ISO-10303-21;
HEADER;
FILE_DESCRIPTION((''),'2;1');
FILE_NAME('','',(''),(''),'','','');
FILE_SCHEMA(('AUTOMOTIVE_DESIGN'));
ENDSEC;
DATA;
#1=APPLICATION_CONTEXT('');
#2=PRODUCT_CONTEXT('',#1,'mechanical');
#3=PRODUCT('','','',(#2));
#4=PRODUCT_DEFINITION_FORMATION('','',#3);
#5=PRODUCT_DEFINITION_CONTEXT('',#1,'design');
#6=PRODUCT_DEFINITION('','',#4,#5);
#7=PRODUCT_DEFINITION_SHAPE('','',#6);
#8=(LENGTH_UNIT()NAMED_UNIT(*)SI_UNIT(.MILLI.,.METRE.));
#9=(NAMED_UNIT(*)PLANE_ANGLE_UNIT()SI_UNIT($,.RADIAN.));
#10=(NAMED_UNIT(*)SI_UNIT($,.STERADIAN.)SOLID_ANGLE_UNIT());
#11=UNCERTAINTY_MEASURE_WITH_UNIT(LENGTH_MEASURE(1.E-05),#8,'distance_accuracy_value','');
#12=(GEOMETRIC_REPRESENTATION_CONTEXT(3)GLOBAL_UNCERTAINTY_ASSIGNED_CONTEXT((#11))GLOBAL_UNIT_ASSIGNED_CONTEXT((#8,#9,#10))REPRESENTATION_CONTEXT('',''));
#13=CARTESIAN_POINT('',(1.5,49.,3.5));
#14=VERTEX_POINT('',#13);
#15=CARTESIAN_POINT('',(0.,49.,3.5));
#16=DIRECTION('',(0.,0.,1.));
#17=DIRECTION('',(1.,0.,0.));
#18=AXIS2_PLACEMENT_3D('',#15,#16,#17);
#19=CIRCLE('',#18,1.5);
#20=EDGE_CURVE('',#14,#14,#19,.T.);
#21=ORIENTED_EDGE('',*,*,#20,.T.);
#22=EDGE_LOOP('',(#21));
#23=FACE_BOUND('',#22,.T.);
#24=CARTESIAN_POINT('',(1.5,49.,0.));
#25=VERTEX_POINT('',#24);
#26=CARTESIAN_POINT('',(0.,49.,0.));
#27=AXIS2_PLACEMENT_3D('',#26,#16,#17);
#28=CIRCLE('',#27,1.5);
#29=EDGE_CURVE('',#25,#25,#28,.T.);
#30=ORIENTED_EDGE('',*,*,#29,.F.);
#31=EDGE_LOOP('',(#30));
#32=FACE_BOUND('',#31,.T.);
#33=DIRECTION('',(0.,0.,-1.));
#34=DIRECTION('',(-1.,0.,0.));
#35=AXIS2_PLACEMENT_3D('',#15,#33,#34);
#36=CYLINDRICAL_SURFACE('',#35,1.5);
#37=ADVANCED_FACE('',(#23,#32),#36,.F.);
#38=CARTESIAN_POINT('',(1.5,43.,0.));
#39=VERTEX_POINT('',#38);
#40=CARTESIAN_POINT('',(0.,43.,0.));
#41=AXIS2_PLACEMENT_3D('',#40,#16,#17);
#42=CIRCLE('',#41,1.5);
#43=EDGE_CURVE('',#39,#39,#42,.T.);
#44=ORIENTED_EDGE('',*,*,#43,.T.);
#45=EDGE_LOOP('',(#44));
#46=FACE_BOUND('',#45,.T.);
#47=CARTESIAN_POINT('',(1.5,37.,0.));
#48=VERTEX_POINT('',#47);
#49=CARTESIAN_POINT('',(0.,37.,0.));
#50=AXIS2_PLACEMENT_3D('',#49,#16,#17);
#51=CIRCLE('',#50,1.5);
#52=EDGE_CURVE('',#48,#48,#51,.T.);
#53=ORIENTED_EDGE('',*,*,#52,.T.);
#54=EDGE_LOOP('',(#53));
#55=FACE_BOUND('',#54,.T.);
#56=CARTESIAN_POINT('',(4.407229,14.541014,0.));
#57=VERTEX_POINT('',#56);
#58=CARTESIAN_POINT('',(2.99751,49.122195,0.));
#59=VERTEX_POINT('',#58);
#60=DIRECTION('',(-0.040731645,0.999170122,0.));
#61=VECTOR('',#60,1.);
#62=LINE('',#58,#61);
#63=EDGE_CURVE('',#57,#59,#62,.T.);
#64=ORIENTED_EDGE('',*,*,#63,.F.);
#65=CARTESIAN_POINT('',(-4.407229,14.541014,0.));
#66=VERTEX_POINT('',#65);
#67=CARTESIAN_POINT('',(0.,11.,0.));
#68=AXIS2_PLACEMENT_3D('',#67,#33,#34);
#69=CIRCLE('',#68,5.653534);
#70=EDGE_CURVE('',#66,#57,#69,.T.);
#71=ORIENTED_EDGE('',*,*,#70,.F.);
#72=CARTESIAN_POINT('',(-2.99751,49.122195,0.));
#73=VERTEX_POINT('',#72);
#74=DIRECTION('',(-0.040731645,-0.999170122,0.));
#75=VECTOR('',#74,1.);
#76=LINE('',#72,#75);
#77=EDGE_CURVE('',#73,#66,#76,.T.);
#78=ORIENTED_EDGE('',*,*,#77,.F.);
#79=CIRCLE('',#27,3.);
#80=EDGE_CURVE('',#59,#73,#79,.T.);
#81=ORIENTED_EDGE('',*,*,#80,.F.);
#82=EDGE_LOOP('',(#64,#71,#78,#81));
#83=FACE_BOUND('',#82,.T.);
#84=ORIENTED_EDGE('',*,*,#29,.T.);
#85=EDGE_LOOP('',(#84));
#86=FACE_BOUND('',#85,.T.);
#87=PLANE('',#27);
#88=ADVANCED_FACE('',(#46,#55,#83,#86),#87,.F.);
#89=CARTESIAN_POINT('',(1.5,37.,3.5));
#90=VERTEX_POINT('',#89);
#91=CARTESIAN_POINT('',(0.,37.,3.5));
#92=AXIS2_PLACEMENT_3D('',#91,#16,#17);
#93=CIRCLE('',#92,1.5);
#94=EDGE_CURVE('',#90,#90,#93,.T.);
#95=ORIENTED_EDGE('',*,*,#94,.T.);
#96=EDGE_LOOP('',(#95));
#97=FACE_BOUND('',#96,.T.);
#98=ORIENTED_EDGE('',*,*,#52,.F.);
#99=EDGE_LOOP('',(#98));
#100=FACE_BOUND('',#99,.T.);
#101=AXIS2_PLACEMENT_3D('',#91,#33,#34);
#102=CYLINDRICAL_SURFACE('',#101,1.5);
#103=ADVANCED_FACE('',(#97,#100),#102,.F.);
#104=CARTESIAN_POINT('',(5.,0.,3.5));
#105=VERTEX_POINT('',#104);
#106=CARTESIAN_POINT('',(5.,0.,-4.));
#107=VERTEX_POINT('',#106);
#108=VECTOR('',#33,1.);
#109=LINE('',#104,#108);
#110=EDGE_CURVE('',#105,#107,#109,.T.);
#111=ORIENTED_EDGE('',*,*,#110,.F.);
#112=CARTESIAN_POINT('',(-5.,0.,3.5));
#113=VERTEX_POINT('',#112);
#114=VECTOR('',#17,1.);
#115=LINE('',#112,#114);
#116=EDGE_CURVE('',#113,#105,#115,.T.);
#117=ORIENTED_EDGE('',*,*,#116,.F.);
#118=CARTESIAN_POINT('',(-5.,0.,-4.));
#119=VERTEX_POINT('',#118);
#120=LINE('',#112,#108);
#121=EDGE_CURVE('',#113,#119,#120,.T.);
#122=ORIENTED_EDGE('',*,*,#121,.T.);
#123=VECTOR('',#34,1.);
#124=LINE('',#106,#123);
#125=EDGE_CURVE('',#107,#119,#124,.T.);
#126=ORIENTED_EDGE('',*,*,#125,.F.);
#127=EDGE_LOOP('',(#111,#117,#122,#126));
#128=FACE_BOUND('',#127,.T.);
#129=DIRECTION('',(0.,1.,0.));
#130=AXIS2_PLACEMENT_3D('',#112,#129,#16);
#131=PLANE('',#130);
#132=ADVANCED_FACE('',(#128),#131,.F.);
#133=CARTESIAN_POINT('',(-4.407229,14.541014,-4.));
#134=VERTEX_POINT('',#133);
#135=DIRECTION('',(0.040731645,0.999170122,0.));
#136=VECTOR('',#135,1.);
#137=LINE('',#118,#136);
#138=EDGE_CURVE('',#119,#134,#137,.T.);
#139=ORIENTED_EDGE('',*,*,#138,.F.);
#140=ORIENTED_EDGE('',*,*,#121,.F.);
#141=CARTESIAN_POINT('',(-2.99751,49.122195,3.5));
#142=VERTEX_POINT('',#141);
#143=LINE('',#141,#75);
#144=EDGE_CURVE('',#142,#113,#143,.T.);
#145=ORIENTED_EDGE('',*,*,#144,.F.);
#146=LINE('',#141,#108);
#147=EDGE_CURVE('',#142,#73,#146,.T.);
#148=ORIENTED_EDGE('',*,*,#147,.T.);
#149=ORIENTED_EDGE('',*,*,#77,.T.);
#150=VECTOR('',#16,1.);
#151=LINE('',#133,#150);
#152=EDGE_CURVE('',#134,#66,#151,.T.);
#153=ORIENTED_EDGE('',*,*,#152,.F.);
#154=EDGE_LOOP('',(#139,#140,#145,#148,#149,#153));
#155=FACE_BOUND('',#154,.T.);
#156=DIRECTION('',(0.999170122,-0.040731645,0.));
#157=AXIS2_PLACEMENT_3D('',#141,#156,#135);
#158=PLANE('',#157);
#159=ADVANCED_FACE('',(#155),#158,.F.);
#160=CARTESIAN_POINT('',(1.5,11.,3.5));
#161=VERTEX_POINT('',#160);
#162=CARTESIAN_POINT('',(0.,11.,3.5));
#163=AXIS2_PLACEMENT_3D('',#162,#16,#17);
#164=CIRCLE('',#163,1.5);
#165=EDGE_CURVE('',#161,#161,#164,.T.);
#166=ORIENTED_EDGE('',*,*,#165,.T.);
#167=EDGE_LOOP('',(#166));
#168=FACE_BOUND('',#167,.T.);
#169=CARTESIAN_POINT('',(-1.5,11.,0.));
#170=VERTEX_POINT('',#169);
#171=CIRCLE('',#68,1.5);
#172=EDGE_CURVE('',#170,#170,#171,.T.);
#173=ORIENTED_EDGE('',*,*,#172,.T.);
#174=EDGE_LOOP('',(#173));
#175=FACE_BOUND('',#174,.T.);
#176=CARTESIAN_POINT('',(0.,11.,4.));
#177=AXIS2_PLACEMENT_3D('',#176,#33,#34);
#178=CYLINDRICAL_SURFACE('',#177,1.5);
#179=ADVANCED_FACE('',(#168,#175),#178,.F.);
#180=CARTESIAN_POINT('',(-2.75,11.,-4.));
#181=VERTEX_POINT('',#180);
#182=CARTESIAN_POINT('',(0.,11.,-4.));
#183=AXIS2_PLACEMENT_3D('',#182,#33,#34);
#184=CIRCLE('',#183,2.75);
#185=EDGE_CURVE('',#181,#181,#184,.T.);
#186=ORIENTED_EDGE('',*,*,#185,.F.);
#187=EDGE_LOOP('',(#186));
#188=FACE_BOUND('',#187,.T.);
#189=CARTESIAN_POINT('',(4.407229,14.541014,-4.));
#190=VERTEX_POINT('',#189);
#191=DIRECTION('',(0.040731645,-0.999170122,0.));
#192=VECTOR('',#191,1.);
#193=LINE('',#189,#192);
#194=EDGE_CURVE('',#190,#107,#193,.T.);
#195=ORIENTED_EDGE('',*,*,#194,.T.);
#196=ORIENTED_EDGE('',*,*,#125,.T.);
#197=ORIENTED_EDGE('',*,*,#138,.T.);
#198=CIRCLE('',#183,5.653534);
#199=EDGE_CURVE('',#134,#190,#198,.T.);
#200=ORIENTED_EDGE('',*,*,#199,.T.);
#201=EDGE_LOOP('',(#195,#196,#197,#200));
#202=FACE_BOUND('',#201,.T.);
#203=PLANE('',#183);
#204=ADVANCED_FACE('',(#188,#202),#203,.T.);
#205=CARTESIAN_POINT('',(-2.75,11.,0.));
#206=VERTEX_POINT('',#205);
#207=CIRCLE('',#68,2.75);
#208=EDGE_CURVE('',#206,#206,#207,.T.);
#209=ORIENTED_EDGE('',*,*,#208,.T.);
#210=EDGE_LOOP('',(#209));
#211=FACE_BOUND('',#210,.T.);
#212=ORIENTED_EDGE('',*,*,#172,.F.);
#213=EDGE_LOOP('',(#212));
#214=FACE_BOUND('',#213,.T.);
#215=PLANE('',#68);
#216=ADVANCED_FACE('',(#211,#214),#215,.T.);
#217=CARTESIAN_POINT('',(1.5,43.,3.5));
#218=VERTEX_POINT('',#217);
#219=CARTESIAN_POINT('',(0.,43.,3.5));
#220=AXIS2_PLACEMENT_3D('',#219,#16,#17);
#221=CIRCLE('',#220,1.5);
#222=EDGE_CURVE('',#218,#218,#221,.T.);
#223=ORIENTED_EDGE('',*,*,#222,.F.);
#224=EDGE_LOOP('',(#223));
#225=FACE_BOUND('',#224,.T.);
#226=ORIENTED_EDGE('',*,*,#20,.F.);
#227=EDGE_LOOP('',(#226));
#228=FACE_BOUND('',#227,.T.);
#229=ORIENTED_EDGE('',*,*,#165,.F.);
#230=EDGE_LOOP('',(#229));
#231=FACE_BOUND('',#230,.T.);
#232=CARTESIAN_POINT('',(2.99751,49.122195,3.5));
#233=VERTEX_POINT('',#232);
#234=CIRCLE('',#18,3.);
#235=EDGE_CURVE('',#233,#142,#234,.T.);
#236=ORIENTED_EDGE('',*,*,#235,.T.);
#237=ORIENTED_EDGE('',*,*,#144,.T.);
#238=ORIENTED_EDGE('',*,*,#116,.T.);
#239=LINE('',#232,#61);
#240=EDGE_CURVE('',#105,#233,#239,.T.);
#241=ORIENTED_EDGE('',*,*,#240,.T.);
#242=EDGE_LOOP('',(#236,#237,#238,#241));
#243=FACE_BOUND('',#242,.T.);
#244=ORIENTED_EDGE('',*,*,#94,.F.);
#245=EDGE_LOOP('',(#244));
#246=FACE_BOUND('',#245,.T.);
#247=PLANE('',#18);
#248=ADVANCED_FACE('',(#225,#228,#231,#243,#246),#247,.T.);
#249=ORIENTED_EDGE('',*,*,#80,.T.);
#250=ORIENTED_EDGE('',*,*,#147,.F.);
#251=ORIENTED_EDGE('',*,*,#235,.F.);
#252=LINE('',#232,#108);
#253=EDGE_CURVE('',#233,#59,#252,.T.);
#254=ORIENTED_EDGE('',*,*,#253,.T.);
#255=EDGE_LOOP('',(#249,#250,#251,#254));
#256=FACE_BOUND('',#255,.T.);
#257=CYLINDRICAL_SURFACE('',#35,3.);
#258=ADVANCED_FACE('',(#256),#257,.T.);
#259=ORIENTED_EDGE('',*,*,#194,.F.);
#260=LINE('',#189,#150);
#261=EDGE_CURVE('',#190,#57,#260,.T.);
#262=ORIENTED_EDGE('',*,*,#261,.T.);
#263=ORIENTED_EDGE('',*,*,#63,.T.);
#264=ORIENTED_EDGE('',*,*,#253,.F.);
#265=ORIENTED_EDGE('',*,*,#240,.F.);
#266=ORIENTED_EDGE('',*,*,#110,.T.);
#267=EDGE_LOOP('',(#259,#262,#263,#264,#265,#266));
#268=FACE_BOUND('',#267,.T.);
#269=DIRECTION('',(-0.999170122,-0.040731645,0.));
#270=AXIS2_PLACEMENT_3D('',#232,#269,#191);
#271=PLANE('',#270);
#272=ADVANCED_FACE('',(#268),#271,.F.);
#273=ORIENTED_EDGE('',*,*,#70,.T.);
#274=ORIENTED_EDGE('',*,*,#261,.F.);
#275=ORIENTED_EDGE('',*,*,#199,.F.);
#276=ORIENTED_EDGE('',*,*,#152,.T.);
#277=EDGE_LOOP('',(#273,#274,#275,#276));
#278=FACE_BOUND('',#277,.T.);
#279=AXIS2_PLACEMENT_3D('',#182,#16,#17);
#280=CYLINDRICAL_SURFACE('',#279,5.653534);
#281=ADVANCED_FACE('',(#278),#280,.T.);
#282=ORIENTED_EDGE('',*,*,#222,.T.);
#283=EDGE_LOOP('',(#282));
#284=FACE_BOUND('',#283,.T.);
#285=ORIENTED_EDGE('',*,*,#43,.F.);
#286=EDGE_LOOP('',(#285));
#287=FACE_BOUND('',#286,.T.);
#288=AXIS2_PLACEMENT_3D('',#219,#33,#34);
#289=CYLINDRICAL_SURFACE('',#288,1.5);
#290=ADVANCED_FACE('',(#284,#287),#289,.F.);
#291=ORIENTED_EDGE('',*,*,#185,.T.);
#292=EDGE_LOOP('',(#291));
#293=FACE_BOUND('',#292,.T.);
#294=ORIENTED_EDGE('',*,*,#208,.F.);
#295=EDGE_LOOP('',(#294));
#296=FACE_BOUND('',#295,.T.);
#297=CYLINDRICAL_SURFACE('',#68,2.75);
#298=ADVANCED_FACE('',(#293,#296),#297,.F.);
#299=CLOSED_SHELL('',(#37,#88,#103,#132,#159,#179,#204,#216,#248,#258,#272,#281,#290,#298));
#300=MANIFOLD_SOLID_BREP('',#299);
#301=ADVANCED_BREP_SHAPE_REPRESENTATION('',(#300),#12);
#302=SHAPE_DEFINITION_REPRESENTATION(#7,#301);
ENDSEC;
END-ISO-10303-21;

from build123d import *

# Parameters (mm, degrees)
SKETCH_1_R          = 1.5
SKETCH_1_R_2        = 2.75
EXTRUDE_1_DEPTH     = 3.5
EXTRUDE_2_DEPTH     = 4
EXTRUDE_START       = -5
SKETCH_4_R          = 2.75
EXTRUDE_3_DEPTH     = 5
SKETCH_5_R          = 2.75
CUT_EXTRUDE_2_DEPTH = 4
SKETCH_6_R          = 1.5
CUT_EXTRUDE_3_DEPTH = 4


with BuildPart() as part:
    # 草图1 → 凸台-拉伸1 (new body)
    with BuildSketch(Plane.XY):
        with BuildLine():
            Line((-5, 0), (5, 0))
            Line((5, 0), (2.997510367, 49.122194935))
            ThreePointArc((2.997510367, 49.122194935), (0, 52), (-2.997510367, 49.122194935))
            Line((-2.997510367, 49.122194935), (-5, 0))
        make_face()
        with Locations((0, 49)):
            Circle(SKETCH_1_R, mode=Mode.SUBTRACT)
        with Locations((0, 43)):
            Circle(SKETCH_1_R, mode=Mode.SUBTRACT)
        with Locations((0, 37)):
            Circle(SKETCH_1_R, mode=Mode.SUBTRACT)
        with Locations((0, 11)):
            Circle(SKETCH_1_R_2, mode=Mode.SUBTRACT)
    extrude(amount=EXTRUDE_1_DEPTH)

    # 草图2 → 凸台-拉伸2 (add)
    with BuildSketch(Plane(origin=(0, 0, 0), x_dir=(-1, 0, 0), z_dir=(0, 0, -1))):
        with BuildLine():
            Line((5, 0), (4.407228658, 14.541013804))
            ThreePointArc((4.407228658, 14.541013804), (0, 16.653533692), (-4.407228658, 14.541013804))
            Line((-4.407228658, 14.541013804), (-5, 0))
            Line((-5, 0), (5, 0))
        make_face()
    extrude(amount=EXTRUDE_2_DEPTH)

    # 草图4 → 凸台-拉伸3 (add)
    with BuildSketch(Plane.XY.offset(3.5).offset(EXTRUDE_START)):
        with Locations((0, 11)):
            Circle(SKETCH_4_R)
    extrude(amount=EXTRUDE_3_DEPTH)

    # 草图5 → 切除-拉伸2 (cut)
    with BuildSketch(Plane(origin=(0, 0, -4), x_dir=(-1, 0, 0), z_dir=(0, 0, -1))):
        with Locations((0, 11)):
            Circle(SKETCH_5_R)
    extrude(amount=-CUT_EXTRUDE_2_DEPTH, mode=Mode.SUBTRACT)

    # 草图6 → 切除-拉伸3 (cut)
    with BuildSketch(Plane(origin=(0, 0, 0), x_dir=(-1, 0, 0), z_dir=(0, 0, -1))):
        with Locations((0, 11)):
            Circle(SKETCH_6_R)
    extrude(amount=-CUT_EXTRUDE_3_DEPTH, mode=Mode.SUBTRACT)


solid = part.part
